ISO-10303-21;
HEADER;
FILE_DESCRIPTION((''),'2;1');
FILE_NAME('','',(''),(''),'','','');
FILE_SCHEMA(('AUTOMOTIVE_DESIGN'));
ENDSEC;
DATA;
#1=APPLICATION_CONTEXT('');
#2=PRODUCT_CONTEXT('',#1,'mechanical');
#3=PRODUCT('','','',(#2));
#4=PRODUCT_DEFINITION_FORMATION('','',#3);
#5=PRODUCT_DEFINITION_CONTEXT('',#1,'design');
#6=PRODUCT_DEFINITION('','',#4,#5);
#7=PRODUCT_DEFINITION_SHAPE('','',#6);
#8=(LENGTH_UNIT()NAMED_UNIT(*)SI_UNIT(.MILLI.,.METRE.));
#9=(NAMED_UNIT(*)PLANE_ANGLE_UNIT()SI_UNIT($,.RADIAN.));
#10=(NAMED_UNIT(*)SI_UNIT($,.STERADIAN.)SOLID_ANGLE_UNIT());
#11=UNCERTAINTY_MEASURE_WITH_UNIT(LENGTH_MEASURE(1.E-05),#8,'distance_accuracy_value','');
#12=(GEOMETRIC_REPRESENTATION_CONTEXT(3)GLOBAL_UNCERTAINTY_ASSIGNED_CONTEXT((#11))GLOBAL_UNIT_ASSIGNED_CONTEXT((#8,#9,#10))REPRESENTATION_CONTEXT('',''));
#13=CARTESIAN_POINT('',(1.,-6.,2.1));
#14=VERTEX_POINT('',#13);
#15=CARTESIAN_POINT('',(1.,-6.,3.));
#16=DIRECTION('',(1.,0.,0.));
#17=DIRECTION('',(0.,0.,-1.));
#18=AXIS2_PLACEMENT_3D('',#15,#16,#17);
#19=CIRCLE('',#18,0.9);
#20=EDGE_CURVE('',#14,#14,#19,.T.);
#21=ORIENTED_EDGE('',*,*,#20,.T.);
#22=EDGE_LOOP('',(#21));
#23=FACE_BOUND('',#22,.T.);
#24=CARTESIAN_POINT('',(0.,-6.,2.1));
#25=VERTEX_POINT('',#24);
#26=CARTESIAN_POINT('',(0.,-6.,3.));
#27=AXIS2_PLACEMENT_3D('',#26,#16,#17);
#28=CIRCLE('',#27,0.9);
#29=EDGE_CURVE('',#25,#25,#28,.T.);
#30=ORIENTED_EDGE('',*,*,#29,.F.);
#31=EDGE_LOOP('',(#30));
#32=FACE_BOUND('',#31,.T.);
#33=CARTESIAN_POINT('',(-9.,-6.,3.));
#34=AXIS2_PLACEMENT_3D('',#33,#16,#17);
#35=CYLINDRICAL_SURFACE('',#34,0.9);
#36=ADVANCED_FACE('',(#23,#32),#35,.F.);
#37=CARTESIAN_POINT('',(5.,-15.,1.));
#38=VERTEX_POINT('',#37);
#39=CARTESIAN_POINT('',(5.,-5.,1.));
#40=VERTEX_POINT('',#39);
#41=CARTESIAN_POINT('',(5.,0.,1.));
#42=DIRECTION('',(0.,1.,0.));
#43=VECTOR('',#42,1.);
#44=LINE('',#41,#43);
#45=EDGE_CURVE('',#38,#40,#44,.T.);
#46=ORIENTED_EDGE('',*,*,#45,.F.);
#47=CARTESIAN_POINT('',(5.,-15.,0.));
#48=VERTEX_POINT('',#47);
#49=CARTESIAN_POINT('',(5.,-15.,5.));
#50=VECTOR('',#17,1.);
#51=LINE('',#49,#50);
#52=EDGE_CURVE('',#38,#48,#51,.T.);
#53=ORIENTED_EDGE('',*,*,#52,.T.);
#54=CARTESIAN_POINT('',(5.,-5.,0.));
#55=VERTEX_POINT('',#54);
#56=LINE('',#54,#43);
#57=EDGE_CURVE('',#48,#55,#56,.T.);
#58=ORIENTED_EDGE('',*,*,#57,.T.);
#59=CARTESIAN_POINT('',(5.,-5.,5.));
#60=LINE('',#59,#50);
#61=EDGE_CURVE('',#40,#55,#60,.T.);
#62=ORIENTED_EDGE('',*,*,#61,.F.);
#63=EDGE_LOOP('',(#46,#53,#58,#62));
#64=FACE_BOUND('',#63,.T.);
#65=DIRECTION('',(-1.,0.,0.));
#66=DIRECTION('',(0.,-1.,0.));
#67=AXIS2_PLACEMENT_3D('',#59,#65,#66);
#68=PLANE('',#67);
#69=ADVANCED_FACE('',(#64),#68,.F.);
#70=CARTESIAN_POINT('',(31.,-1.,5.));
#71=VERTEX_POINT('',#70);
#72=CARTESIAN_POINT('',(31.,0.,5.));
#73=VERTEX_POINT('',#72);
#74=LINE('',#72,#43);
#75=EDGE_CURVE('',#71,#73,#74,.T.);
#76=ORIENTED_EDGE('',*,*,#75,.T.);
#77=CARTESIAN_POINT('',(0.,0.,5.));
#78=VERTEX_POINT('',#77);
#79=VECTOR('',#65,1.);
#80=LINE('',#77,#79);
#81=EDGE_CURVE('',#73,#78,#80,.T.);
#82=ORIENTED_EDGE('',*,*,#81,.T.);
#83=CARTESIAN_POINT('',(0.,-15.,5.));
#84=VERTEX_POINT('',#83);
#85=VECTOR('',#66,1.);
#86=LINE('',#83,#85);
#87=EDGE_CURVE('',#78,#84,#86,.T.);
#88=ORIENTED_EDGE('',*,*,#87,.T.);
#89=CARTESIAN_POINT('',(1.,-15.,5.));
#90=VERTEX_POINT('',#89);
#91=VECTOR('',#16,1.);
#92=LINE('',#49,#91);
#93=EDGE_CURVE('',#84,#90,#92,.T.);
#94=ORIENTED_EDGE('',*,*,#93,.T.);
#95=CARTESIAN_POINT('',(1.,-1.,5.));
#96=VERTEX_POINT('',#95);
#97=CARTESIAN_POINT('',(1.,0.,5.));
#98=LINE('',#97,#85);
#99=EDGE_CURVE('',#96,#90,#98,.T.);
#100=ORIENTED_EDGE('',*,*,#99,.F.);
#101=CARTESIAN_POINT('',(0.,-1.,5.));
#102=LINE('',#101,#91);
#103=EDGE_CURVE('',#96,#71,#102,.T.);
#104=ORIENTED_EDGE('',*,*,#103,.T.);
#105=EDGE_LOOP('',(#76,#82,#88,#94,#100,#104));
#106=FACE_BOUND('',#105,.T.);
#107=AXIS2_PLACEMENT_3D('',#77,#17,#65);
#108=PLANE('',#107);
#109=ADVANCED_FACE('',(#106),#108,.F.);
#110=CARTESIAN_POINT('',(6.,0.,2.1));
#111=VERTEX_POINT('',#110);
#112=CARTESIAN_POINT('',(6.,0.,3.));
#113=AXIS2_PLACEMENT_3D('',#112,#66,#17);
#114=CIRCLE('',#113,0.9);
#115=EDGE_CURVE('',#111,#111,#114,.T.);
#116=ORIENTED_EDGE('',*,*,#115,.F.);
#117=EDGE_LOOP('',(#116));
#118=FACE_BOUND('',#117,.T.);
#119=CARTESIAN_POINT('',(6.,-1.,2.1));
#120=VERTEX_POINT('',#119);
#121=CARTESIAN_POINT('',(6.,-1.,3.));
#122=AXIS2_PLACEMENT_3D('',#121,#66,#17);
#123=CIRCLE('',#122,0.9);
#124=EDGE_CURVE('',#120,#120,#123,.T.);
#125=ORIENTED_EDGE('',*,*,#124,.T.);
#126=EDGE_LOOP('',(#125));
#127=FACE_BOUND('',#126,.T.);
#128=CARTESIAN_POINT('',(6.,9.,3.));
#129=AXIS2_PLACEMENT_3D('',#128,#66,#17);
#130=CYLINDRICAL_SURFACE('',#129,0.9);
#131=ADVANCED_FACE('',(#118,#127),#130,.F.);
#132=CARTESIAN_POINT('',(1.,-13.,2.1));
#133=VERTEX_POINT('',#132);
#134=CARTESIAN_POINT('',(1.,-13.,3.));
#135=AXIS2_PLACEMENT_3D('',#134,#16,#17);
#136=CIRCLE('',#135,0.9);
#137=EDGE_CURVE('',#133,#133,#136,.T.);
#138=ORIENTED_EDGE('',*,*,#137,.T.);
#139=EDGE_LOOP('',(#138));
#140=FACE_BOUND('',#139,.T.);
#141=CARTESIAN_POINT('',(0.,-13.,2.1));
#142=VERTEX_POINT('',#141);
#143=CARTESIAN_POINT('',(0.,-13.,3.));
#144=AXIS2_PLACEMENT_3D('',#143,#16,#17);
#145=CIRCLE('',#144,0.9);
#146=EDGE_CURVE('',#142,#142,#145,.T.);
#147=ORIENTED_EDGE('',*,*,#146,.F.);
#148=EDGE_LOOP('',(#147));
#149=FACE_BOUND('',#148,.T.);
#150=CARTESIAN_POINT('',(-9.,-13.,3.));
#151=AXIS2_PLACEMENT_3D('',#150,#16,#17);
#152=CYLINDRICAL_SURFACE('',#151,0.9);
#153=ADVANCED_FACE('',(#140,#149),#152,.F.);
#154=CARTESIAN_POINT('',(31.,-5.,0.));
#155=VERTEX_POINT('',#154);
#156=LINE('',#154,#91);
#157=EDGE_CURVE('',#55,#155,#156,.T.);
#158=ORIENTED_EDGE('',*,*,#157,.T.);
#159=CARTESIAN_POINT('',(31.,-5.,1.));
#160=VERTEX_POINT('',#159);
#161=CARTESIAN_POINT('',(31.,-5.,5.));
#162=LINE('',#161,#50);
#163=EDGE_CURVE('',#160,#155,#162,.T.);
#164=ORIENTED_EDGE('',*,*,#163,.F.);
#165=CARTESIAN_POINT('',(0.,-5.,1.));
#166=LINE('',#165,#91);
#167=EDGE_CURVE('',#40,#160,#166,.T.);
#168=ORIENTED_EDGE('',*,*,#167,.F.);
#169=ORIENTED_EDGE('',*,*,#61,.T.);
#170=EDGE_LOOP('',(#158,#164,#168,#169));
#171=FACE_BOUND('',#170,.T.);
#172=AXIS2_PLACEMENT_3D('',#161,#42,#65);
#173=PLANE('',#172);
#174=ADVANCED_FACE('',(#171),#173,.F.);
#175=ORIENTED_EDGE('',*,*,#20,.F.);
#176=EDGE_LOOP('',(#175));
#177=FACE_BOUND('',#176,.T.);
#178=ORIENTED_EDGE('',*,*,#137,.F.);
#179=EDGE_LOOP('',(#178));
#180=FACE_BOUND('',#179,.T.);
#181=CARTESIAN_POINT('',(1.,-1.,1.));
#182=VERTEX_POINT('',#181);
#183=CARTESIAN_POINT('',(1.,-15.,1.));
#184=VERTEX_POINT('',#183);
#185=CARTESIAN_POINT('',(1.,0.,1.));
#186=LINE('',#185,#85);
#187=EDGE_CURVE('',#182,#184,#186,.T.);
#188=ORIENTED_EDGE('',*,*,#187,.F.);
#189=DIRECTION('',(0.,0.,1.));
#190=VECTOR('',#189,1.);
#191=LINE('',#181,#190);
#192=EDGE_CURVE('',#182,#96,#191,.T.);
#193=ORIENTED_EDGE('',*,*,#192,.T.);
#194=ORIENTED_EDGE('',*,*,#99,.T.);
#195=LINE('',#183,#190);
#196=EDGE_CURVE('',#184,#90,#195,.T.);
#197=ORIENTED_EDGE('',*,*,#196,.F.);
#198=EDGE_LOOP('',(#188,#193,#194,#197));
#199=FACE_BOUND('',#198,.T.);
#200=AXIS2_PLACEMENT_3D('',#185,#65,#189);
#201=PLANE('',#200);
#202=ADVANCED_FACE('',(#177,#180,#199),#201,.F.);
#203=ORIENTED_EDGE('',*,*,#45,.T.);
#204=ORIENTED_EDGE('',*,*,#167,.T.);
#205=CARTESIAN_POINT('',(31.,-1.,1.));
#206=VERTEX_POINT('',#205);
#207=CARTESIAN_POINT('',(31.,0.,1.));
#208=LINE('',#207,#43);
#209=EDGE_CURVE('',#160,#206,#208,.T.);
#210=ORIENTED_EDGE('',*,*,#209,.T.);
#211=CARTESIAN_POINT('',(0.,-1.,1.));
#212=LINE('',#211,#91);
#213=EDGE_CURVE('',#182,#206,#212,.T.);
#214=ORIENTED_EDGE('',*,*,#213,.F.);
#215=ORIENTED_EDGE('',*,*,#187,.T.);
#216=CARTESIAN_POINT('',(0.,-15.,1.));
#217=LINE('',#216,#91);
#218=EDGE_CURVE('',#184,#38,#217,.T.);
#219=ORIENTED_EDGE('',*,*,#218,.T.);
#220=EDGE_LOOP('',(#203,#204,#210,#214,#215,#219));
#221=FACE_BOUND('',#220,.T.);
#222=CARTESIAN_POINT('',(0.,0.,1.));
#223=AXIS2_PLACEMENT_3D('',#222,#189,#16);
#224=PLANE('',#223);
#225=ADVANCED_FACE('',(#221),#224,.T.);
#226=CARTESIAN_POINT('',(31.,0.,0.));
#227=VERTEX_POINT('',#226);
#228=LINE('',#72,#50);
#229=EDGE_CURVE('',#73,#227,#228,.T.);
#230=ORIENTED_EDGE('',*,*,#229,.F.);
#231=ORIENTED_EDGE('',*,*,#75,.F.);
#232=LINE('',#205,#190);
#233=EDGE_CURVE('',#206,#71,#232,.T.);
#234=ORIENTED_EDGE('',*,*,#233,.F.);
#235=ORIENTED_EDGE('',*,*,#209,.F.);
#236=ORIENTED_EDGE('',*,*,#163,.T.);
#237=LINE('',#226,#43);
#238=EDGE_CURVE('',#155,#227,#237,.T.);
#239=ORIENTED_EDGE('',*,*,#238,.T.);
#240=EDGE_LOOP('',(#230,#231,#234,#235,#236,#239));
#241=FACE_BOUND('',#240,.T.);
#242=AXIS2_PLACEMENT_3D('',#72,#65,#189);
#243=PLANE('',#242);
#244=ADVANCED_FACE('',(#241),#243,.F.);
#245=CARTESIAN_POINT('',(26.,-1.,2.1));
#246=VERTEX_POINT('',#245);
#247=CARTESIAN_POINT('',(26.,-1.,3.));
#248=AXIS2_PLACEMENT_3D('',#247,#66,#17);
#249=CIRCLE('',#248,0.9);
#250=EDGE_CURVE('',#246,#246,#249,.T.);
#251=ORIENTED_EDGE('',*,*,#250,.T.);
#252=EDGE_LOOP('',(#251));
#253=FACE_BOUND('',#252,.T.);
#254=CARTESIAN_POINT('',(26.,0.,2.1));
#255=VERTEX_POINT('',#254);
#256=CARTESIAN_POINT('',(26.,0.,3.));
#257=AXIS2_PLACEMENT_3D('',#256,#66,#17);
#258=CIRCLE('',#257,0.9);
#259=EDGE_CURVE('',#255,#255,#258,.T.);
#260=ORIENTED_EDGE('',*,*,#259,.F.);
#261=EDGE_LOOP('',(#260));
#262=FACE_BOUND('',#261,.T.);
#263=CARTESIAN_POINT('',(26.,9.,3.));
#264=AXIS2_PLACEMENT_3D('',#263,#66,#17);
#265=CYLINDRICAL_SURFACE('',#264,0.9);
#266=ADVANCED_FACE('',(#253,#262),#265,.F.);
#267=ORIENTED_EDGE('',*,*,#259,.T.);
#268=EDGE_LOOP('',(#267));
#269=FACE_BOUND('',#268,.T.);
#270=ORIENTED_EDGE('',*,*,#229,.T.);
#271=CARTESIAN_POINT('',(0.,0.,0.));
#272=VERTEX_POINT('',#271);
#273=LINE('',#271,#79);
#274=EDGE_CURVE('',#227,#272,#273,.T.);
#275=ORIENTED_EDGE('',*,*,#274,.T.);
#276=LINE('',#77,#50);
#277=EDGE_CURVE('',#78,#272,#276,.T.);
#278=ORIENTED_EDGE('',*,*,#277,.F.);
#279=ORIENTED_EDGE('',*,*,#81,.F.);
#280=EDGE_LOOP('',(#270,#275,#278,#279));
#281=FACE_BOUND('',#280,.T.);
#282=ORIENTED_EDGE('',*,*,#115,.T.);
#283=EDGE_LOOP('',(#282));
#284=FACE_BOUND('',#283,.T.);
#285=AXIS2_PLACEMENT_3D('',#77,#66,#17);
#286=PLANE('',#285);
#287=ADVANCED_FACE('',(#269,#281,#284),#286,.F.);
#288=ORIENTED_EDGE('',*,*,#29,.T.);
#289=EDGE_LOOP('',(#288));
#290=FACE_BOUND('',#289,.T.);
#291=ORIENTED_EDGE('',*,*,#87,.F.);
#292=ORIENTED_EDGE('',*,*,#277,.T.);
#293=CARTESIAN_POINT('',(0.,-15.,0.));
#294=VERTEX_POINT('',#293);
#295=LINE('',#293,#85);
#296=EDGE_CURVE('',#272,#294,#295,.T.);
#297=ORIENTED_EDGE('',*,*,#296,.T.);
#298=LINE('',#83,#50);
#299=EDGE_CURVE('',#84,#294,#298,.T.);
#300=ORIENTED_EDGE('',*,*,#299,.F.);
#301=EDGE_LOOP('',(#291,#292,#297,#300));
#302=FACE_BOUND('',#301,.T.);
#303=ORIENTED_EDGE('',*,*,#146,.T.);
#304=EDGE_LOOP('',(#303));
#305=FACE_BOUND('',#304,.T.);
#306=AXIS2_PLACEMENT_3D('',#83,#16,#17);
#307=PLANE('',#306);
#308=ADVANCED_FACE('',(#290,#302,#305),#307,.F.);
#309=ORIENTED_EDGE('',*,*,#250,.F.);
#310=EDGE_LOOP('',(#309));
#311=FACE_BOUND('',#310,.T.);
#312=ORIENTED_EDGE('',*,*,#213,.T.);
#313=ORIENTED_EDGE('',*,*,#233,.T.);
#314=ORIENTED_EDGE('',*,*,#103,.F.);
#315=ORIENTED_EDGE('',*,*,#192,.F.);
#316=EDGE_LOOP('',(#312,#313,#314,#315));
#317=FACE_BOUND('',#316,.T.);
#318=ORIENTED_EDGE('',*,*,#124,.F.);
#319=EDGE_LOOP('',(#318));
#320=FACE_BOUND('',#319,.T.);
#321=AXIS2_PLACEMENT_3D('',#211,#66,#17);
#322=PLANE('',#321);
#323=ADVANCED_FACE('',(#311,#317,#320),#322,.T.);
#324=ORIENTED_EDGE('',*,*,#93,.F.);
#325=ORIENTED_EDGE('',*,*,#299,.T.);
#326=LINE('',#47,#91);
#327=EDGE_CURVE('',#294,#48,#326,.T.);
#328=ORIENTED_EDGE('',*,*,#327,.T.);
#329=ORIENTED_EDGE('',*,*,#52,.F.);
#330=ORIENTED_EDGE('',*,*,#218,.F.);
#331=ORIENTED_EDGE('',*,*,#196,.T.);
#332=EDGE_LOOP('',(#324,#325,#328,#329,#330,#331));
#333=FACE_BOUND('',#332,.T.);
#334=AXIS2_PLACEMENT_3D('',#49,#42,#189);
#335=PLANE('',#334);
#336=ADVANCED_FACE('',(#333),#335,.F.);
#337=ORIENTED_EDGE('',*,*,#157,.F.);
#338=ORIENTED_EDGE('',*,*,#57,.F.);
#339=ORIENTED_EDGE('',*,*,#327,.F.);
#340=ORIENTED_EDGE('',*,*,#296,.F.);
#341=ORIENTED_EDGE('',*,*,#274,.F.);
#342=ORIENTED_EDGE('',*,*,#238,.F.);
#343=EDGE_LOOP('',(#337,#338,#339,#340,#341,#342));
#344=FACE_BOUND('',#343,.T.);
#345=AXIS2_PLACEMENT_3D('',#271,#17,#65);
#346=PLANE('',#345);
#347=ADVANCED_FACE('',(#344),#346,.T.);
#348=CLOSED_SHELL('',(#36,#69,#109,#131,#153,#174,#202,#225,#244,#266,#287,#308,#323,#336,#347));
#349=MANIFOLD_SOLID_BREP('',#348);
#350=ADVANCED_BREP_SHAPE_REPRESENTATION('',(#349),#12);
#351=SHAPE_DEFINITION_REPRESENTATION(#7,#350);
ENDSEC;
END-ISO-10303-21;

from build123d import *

# Parameters (mm, degrees)
BOSS_EXTRU_1_DEPTH      = 5
ENL_V_MAT_EXTRU_1_DEPTH = 4
ESQUISSE4_R             = 0.9
ENL_V_MAT_EXTRU_2_DEPTH = 10
ESQUISSE3_R             = 0.9
ENL_V_MAT_EXTRU_3_DEPTH = 10


with BuildPart() as part:
    # Esquisse1 → Boss.-Extru.1 (new body)
    with BuildSketch(Plane.XY):
        Polygon((0, 0), (31, 0), (31, -5), (5, -5), (5, -15), (0, -15), align=None)
    extrude(amount=BOSS_EXTRU_1_DEPTH)

    # Esquisse2 → Enlèv. mat.-Extru.1 (cut)
    with BuildSketch(Plane.XY.offset(5)):
        Polygon((1, -15), (5, -15), (5, -5), (31, -5), (31, -1), (1, -1), align=None)
    extrude(amount=-ENL_V_MAT_EXTRU_1_DEPTH, mode=Mode.SUBTRACT)

    # Esquisse4 → Enlèv. mat.-Extru.2 (cut)
    with BuildSketch(Plane.XZ.offset(1)):
        with Locations(Location((26, 3, 0), (0, 0, 270))):
            Circle(ESQUISSE4_R)
        with Locations(Location((6, 3, 0), (0, 0, 270))):
            Circle(ESQUISSE4_R)
    extrude(amount=-ENL_V_MAT_EXTRU_2_DEPTH, mode=Mode.SUBTRACT)

    # Esquisse3 → Enlèv. mat.-Extru.3 (cut)
    with BuildSketch(Plane(origin=(1, 0, 0), x_dir=(0, 0, -1), z_dir=(1, 0, 0))):
        with Locations((-3, -6)):
            Circle(ESQUISSE3_R)
        with Locations((-3, -13)):
            Circle(ESQUISSE3_R)
    extrude(amount=-ENL_V_MAT_EXTRU_3_DEPTH, mode=Mode.SUBTRACT)


solid = part.part
